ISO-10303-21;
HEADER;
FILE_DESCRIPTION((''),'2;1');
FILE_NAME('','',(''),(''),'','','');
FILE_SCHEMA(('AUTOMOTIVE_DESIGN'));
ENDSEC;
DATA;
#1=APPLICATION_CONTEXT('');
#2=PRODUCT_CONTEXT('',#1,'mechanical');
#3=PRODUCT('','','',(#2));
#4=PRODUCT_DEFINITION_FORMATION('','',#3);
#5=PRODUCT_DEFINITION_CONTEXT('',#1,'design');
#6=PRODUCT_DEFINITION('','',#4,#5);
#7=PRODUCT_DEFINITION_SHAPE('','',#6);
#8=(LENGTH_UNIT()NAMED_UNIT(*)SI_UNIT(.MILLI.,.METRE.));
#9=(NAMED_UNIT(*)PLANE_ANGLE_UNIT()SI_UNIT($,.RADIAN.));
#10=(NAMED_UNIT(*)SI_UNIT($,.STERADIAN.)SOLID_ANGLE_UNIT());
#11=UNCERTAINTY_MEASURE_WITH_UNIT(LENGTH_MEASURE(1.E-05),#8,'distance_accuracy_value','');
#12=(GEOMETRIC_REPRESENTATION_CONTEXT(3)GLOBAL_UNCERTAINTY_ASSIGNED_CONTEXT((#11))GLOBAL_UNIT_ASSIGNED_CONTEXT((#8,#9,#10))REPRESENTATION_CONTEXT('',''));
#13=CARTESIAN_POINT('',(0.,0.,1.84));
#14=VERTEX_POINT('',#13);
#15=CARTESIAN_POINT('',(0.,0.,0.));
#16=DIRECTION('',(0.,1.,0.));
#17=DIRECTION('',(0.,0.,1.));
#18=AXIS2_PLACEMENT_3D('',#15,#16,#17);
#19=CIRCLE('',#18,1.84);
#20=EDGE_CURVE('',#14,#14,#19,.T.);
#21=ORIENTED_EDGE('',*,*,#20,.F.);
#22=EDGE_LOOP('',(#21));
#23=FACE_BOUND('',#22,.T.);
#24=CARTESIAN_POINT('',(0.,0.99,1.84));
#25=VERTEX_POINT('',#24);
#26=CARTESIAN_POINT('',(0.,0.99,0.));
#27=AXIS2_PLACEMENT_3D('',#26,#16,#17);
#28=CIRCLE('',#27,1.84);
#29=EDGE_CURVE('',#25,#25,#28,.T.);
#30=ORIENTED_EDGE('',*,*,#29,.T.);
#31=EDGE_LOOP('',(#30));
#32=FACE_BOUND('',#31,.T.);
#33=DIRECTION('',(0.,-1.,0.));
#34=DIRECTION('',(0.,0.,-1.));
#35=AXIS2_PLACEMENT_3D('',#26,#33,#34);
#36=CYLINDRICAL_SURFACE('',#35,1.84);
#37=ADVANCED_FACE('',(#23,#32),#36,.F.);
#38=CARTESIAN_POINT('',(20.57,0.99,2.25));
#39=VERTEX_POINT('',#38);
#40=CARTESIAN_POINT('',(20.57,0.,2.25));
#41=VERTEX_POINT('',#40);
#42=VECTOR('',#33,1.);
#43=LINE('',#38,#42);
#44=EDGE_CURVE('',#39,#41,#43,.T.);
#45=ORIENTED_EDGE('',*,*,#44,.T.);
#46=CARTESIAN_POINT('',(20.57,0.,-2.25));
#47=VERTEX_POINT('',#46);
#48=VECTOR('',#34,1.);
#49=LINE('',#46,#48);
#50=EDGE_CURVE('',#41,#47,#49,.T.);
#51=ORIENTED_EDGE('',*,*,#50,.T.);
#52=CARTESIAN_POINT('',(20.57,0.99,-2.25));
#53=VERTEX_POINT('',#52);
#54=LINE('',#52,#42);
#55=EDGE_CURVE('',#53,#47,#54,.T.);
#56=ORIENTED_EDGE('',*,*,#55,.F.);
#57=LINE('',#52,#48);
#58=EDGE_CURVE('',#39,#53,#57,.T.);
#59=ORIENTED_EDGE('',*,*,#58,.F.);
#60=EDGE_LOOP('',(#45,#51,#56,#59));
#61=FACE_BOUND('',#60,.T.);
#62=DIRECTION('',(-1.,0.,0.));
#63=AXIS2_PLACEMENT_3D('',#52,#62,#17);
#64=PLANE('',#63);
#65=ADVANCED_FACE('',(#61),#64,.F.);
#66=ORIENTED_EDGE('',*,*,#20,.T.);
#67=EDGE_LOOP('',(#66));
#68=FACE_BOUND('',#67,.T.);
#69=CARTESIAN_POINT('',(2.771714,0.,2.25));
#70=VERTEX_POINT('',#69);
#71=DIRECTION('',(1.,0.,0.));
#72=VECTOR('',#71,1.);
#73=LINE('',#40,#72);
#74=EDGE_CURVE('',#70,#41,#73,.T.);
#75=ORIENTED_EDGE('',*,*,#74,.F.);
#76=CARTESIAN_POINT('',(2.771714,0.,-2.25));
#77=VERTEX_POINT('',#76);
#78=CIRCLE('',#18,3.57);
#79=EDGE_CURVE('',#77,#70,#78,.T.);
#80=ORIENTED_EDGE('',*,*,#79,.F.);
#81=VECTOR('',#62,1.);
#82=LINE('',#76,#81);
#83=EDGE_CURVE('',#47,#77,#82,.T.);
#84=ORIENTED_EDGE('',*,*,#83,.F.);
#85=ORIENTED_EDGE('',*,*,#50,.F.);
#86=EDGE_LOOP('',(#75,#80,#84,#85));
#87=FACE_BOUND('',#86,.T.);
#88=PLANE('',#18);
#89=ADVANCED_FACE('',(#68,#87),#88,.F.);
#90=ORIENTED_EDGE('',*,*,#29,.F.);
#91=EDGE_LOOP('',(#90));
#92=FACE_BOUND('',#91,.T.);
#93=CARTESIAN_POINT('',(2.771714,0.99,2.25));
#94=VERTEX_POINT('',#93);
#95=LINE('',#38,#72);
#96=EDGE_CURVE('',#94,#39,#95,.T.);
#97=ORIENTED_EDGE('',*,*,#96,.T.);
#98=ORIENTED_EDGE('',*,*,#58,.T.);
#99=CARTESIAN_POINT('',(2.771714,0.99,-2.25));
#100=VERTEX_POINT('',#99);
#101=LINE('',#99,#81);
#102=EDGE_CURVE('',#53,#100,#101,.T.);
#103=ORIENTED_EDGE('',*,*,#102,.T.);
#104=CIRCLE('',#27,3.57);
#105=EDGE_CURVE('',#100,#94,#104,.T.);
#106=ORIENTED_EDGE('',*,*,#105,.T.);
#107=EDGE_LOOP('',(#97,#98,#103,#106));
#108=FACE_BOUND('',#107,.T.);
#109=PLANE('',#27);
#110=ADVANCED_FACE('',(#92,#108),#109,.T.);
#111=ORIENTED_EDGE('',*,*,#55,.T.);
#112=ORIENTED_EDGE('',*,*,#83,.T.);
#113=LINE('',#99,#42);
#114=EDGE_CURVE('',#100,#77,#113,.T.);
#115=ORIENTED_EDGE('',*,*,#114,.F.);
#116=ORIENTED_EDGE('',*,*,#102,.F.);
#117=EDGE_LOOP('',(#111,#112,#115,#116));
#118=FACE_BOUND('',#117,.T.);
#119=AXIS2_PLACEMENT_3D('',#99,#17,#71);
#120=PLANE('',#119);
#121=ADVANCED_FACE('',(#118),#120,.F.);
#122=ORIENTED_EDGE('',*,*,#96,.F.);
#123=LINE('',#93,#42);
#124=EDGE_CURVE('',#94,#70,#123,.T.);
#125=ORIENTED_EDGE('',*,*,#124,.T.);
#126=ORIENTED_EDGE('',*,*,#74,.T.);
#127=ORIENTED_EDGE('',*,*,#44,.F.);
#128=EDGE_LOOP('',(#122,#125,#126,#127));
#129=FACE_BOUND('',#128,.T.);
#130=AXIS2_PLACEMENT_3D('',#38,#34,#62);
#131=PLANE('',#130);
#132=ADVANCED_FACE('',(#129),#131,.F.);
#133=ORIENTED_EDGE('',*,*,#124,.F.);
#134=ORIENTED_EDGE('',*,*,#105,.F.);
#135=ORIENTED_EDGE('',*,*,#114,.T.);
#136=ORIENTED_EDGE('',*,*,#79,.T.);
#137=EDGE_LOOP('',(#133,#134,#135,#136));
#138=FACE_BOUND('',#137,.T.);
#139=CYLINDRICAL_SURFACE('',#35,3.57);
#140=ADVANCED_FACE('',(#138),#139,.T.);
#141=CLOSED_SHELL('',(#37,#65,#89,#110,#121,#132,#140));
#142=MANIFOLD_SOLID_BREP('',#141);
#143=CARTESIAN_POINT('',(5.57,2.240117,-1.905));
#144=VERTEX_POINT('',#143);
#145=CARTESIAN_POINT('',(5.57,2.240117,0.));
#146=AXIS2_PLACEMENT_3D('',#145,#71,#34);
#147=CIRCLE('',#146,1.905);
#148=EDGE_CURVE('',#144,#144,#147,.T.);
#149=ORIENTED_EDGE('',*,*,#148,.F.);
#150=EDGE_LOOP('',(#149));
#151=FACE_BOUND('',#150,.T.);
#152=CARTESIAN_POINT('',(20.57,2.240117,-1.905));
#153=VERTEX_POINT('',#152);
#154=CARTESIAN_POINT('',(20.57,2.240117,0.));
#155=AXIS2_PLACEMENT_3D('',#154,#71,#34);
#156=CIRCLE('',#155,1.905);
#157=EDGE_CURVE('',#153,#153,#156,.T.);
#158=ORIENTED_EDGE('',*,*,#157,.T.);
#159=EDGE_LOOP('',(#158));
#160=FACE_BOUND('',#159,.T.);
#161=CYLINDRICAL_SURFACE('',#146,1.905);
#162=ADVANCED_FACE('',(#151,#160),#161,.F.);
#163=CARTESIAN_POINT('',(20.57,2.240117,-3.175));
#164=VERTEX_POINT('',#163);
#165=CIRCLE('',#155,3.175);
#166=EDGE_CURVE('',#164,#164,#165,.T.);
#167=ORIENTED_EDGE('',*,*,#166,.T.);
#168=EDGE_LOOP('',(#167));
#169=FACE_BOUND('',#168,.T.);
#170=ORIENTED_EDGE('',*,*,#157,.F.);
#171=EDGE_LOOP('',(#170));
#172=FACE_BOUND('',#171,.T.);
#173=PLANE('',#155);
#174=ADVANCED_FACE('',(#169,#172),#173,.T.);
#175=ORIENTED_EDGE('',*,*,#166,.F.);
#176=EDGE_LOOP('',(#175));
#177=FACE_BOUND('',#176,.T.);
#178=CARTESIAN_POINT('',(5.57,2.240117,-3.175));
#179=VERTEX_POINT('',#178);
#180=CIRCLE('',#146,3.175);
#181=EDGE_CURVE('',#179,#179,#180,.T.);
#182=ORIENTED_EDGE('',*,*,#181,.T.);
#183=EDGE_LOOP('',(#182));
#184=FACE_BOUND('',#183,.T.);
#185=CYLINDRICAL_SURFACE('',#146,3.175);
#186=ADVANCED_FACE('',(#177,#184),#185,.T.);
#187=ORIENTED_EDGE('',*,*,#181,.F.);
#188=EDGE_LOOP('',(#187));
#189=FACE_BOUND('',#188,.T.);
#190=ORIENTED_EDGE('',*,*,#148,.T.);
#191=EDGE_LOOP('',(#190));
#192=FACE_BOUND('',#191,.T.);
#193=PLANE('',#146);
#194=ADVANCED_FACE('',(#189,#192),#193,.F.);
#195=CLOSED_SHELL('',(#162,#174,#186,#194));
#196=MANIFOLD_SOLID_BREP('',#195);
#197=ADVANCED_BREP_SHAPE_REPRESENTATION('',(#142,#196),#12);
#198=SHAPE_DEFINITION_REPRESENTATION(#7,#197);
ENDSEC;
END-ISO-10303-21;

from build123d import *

# Parameters (mm, degrees)
SKIZZE1_R                       = 1.84
AUFSATZ_LINEAR_AUSTRAGEN1_DEPTH = 0.99
SKIZZE2_R                       = 3.175
SKIZZE2_R_2                     = 1.905
AUFSATZ_LINEAR_AUSTRAGEN2_DEPTH = 15


with BuildPart() as part:
    # Skizze1 → Aufsatz-Linear austragen1 (new body)
    with BuildSketch(Plane(origin=(0, 0, 0), x_dir=(1, 0, 0), z_dir=(0, 1, 0))):
        with BuildLine():
            Line((2.771714271, 2.25), (20.57, 2.25))
            Line((20.57, 2.25), (20.57, -2.25))
            Line((20.57, -2.25), (2.771714271, -2.25))
            ThreePointArc((2.771714271, -2.25), (-3.57, 0), (2.771714271, 2.25))
        make_face()
        Circle(SKIZZE1_R, mode=Mode.SUBTRACT)
    extrude(amount=AUFSATZ_LINEAR_AUSTRAGEN1_DEPTH)


with BuildPart() as body_2:
    # Skizze2 → Aufsatz-Linear austragen2 (new body)
    with BuildSketch(Plane(origin=(20.57, 0, 0), x_dir=(0, 0, -1), z_dir=(1, 0, 0))):
        with Locations((0, 2.240117184)):
            Circle(SKIZZE2_R)
        with Locations((0, 2.240117184)):
            Circle(SKIZZE2_R_2, mode=Mode.SUBTRACT)
    extrude(amount=-AUFSATZ_LINEAR_AUSTRAGEN2_DEPTH)


solid = Compound([part.part, body_2.part])
